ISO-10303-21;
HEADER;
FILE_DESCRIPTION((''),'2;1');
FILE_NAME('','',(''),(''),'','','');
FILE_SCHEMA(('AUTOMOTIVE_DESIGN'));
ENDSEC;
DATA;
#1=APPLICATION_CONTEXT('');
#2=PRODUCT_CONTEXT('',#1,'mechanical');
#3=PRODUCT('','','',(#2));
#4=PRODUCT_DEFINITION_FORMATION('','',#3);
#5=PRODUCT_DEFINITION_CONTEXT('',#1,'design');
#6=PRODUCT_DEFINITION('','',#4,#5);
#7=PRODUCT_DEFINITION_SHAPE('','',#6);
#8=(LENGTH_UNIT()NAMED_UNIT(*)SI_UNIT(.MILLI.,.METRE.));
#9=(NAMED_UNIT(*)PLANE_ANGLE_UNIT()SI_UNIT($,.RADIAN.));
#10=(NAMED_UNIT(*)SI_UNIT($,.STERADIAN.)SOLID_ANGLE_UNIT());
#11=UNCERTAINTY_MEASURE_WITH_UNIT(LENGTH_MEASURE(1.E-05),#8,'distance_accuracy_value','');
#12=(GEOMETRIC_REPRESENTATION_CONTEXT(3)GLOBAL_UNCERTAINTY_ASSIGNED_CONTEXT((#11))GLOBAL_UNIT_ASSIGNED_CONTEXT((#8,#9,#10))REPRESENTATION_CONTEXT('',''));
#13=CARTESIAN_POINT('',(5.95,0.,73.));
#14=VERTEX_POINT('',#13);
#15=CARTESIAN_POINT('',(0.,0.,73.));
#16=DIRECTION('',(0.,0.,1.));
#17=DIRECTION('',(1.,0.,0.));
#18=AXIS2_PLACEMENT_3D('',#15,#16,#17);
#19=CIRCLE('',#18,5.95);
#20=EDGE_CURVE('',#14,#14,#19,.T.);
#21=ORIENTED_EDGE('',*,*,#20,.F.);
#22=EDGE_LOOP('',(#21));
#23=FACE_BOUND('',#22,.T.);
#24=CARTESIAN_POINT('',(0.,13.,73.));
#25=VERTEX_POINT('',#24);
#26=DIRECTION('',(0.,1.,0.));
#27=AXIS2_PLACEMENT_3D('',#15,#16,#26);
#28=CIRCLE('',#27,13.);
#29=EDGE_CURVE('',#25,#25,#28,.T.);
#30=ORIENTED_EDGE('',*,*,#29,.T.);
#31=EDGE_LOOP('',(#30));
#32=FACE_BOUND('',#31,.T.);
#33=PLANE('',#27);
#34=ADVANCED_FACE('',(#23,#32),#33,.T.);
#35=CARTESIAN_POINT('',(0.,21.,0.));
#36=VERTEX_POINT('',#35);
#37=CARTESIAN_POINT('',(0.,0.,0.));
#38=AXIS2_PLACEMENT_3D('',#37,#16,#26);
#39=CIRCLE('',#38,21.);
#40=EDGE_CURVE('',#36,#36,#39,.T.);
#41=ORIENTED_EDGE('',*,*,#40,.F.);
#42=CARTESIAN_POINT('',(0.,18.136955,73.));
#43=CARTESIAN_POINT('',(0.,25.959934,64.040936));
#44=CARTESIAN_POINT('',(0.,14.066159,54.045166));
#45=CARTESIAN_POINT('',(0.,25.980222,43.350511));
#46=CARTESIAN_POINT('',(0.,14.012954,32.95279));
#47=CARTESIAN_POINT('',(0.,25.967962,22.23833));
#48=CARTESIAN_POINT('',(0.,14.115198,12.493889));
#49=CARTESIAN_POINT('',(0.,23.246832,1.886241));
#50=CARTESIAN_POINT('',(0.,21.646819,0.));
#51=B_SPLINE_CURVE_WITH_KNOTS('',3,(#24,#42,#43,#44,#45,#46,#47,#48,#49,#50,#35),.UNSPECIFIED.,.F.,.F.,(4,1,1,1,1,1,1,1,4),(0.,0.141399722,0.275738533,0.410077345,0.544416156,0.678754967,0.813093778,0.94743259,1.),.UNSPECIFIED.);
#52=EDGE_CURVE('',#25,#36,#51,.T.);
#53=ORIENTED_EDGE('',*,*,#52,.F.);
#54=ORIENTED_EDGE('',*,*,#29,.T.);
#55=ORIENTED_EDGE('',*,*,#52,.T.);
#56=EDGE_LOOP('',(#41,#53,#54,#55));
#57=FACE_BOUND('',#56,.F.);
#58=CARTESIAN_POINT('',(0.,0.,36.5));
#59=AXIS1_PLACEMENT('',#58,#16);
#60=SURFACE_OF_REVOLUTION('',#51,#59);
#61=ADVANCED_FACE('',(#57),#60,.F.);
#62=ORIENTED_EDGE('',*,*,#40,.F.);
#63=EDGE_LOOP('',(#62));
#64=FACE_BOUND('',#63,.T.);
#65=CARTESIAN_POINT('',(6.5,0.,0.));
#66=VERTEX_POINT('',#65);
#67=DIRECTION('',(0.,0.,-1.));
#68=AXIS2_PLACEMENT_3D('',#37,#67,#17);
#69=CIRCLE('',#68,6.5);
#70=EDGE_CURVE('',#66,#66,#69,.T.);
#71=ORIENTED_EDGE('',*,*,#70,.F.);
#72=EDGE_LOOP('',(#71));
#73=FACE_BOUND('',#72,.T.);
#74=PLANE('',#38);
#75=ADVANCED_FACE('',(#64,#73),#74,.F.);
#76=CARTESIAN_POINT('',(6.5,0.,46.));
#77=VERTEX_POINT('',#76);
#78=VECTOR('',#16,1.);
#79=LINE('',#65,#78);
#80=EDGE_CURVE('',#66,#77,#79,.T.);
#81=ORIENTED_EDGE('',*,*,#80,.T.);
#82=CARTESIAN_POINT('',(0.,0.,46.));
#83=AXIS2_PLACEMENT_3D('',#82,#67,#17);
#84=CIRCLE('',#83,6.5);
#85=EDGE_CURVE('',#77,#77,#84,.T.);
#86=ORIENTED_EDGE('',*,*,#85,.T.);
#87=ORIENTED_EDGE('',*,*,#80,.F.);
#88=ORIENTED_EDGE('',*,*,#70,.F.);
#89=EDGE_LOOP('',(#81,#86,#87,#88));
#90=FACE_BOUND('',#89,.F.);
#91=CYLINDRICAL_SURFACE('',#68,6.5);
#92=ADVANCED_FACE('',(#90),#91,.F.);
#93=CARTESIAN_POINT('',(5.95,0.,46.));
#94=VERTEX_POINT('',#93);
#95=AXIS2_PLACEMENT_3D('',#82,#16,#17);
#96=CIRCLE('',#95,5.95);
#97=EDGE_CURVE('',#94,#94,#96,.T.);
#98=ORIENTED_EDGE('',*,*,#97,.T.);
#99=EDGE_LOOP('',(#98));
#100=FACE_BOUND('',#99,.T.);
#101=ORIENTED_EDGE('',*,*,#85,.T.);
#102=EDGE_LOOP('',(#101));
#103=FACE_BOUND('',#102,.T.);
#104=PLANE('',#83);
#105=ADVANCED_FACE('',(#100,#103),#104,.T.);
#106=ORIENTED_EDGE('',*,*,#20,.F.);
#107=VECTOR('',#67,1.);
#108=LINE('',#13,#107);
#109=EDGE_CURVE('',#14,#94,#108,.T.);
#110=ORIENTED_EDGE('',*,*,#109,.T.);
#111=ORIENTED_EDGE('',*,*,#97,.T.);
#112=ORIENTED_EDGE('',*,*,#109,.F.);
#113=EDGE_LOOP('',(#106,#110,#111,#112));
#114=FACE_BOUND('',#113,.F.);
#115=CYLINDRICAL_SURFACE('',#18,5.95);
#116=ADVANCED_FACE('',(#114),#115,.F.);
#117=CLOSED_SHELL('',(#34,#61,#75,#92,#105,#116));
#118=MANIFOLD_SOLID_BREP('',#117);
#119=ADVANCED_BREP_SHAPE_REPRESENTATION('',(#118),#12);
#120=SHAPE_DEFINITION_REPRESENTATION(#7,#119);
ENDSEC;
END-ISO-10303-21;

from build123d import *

# Parameters (mm, degrees)
F2_R     = 5.95
F3_DEPTH = 73.0010001
F4_R     = 6.5
F5_DEPTH = 46


with BuildPart() as f1:
    # F0 (on Right) → F1 (revolve)
    with BuildSketch(Plane.YZ):
        with BuildLine():
            Line((0, 73), (0, 0))
            Line((0, 0), (21, 0))
            add(Edge.make_bspline(
                [(13, 73), (18.136955159, 73), (25.9599337866, 64.0409360544), (14.06615934, 54.0451662341), (25.9802216397, 43.3505110298), (14.0129541012, 32.9527896469), (25.9679619557, 22.2383303828), (14.1151980762, 12.4938888218), (23.2468316742, 1.8862408584), (21.646819451, 0), (21, 0)],
                knots=[0, 0, 0, 0, 0.1413997222, 0.2757385334, 0.4100773447, 0.544416156, 0.6787549672, 0.8130937785, 0.9474325897, 1, 1, 1, 1], degree=3))
            Line((13, 73), (0, 73))
        make_face()
    revolve(axis=Axis((0, 0, 36.5), (0, 0, 1)))

    # F2 (on face) → F3 (cut, through all)
    with BuildSketch(Plane.XY.offset(73)):
        Circle(F2_R)
    extrude(amount=-F3_DEPTH, mode=Mode.SUBTRACT)

    # F4 (on face) → F5 (cut)
    with BuildSketch(Plane(origin=(0, 0, 0), x_dir=(1, 0, 0), z_dir=(0, 0, -1))):
        Circle(F4_R)
    extrude(amount=-F5_DEPTH, mode=Mode.SUBTRACT)


solid = f1.part
